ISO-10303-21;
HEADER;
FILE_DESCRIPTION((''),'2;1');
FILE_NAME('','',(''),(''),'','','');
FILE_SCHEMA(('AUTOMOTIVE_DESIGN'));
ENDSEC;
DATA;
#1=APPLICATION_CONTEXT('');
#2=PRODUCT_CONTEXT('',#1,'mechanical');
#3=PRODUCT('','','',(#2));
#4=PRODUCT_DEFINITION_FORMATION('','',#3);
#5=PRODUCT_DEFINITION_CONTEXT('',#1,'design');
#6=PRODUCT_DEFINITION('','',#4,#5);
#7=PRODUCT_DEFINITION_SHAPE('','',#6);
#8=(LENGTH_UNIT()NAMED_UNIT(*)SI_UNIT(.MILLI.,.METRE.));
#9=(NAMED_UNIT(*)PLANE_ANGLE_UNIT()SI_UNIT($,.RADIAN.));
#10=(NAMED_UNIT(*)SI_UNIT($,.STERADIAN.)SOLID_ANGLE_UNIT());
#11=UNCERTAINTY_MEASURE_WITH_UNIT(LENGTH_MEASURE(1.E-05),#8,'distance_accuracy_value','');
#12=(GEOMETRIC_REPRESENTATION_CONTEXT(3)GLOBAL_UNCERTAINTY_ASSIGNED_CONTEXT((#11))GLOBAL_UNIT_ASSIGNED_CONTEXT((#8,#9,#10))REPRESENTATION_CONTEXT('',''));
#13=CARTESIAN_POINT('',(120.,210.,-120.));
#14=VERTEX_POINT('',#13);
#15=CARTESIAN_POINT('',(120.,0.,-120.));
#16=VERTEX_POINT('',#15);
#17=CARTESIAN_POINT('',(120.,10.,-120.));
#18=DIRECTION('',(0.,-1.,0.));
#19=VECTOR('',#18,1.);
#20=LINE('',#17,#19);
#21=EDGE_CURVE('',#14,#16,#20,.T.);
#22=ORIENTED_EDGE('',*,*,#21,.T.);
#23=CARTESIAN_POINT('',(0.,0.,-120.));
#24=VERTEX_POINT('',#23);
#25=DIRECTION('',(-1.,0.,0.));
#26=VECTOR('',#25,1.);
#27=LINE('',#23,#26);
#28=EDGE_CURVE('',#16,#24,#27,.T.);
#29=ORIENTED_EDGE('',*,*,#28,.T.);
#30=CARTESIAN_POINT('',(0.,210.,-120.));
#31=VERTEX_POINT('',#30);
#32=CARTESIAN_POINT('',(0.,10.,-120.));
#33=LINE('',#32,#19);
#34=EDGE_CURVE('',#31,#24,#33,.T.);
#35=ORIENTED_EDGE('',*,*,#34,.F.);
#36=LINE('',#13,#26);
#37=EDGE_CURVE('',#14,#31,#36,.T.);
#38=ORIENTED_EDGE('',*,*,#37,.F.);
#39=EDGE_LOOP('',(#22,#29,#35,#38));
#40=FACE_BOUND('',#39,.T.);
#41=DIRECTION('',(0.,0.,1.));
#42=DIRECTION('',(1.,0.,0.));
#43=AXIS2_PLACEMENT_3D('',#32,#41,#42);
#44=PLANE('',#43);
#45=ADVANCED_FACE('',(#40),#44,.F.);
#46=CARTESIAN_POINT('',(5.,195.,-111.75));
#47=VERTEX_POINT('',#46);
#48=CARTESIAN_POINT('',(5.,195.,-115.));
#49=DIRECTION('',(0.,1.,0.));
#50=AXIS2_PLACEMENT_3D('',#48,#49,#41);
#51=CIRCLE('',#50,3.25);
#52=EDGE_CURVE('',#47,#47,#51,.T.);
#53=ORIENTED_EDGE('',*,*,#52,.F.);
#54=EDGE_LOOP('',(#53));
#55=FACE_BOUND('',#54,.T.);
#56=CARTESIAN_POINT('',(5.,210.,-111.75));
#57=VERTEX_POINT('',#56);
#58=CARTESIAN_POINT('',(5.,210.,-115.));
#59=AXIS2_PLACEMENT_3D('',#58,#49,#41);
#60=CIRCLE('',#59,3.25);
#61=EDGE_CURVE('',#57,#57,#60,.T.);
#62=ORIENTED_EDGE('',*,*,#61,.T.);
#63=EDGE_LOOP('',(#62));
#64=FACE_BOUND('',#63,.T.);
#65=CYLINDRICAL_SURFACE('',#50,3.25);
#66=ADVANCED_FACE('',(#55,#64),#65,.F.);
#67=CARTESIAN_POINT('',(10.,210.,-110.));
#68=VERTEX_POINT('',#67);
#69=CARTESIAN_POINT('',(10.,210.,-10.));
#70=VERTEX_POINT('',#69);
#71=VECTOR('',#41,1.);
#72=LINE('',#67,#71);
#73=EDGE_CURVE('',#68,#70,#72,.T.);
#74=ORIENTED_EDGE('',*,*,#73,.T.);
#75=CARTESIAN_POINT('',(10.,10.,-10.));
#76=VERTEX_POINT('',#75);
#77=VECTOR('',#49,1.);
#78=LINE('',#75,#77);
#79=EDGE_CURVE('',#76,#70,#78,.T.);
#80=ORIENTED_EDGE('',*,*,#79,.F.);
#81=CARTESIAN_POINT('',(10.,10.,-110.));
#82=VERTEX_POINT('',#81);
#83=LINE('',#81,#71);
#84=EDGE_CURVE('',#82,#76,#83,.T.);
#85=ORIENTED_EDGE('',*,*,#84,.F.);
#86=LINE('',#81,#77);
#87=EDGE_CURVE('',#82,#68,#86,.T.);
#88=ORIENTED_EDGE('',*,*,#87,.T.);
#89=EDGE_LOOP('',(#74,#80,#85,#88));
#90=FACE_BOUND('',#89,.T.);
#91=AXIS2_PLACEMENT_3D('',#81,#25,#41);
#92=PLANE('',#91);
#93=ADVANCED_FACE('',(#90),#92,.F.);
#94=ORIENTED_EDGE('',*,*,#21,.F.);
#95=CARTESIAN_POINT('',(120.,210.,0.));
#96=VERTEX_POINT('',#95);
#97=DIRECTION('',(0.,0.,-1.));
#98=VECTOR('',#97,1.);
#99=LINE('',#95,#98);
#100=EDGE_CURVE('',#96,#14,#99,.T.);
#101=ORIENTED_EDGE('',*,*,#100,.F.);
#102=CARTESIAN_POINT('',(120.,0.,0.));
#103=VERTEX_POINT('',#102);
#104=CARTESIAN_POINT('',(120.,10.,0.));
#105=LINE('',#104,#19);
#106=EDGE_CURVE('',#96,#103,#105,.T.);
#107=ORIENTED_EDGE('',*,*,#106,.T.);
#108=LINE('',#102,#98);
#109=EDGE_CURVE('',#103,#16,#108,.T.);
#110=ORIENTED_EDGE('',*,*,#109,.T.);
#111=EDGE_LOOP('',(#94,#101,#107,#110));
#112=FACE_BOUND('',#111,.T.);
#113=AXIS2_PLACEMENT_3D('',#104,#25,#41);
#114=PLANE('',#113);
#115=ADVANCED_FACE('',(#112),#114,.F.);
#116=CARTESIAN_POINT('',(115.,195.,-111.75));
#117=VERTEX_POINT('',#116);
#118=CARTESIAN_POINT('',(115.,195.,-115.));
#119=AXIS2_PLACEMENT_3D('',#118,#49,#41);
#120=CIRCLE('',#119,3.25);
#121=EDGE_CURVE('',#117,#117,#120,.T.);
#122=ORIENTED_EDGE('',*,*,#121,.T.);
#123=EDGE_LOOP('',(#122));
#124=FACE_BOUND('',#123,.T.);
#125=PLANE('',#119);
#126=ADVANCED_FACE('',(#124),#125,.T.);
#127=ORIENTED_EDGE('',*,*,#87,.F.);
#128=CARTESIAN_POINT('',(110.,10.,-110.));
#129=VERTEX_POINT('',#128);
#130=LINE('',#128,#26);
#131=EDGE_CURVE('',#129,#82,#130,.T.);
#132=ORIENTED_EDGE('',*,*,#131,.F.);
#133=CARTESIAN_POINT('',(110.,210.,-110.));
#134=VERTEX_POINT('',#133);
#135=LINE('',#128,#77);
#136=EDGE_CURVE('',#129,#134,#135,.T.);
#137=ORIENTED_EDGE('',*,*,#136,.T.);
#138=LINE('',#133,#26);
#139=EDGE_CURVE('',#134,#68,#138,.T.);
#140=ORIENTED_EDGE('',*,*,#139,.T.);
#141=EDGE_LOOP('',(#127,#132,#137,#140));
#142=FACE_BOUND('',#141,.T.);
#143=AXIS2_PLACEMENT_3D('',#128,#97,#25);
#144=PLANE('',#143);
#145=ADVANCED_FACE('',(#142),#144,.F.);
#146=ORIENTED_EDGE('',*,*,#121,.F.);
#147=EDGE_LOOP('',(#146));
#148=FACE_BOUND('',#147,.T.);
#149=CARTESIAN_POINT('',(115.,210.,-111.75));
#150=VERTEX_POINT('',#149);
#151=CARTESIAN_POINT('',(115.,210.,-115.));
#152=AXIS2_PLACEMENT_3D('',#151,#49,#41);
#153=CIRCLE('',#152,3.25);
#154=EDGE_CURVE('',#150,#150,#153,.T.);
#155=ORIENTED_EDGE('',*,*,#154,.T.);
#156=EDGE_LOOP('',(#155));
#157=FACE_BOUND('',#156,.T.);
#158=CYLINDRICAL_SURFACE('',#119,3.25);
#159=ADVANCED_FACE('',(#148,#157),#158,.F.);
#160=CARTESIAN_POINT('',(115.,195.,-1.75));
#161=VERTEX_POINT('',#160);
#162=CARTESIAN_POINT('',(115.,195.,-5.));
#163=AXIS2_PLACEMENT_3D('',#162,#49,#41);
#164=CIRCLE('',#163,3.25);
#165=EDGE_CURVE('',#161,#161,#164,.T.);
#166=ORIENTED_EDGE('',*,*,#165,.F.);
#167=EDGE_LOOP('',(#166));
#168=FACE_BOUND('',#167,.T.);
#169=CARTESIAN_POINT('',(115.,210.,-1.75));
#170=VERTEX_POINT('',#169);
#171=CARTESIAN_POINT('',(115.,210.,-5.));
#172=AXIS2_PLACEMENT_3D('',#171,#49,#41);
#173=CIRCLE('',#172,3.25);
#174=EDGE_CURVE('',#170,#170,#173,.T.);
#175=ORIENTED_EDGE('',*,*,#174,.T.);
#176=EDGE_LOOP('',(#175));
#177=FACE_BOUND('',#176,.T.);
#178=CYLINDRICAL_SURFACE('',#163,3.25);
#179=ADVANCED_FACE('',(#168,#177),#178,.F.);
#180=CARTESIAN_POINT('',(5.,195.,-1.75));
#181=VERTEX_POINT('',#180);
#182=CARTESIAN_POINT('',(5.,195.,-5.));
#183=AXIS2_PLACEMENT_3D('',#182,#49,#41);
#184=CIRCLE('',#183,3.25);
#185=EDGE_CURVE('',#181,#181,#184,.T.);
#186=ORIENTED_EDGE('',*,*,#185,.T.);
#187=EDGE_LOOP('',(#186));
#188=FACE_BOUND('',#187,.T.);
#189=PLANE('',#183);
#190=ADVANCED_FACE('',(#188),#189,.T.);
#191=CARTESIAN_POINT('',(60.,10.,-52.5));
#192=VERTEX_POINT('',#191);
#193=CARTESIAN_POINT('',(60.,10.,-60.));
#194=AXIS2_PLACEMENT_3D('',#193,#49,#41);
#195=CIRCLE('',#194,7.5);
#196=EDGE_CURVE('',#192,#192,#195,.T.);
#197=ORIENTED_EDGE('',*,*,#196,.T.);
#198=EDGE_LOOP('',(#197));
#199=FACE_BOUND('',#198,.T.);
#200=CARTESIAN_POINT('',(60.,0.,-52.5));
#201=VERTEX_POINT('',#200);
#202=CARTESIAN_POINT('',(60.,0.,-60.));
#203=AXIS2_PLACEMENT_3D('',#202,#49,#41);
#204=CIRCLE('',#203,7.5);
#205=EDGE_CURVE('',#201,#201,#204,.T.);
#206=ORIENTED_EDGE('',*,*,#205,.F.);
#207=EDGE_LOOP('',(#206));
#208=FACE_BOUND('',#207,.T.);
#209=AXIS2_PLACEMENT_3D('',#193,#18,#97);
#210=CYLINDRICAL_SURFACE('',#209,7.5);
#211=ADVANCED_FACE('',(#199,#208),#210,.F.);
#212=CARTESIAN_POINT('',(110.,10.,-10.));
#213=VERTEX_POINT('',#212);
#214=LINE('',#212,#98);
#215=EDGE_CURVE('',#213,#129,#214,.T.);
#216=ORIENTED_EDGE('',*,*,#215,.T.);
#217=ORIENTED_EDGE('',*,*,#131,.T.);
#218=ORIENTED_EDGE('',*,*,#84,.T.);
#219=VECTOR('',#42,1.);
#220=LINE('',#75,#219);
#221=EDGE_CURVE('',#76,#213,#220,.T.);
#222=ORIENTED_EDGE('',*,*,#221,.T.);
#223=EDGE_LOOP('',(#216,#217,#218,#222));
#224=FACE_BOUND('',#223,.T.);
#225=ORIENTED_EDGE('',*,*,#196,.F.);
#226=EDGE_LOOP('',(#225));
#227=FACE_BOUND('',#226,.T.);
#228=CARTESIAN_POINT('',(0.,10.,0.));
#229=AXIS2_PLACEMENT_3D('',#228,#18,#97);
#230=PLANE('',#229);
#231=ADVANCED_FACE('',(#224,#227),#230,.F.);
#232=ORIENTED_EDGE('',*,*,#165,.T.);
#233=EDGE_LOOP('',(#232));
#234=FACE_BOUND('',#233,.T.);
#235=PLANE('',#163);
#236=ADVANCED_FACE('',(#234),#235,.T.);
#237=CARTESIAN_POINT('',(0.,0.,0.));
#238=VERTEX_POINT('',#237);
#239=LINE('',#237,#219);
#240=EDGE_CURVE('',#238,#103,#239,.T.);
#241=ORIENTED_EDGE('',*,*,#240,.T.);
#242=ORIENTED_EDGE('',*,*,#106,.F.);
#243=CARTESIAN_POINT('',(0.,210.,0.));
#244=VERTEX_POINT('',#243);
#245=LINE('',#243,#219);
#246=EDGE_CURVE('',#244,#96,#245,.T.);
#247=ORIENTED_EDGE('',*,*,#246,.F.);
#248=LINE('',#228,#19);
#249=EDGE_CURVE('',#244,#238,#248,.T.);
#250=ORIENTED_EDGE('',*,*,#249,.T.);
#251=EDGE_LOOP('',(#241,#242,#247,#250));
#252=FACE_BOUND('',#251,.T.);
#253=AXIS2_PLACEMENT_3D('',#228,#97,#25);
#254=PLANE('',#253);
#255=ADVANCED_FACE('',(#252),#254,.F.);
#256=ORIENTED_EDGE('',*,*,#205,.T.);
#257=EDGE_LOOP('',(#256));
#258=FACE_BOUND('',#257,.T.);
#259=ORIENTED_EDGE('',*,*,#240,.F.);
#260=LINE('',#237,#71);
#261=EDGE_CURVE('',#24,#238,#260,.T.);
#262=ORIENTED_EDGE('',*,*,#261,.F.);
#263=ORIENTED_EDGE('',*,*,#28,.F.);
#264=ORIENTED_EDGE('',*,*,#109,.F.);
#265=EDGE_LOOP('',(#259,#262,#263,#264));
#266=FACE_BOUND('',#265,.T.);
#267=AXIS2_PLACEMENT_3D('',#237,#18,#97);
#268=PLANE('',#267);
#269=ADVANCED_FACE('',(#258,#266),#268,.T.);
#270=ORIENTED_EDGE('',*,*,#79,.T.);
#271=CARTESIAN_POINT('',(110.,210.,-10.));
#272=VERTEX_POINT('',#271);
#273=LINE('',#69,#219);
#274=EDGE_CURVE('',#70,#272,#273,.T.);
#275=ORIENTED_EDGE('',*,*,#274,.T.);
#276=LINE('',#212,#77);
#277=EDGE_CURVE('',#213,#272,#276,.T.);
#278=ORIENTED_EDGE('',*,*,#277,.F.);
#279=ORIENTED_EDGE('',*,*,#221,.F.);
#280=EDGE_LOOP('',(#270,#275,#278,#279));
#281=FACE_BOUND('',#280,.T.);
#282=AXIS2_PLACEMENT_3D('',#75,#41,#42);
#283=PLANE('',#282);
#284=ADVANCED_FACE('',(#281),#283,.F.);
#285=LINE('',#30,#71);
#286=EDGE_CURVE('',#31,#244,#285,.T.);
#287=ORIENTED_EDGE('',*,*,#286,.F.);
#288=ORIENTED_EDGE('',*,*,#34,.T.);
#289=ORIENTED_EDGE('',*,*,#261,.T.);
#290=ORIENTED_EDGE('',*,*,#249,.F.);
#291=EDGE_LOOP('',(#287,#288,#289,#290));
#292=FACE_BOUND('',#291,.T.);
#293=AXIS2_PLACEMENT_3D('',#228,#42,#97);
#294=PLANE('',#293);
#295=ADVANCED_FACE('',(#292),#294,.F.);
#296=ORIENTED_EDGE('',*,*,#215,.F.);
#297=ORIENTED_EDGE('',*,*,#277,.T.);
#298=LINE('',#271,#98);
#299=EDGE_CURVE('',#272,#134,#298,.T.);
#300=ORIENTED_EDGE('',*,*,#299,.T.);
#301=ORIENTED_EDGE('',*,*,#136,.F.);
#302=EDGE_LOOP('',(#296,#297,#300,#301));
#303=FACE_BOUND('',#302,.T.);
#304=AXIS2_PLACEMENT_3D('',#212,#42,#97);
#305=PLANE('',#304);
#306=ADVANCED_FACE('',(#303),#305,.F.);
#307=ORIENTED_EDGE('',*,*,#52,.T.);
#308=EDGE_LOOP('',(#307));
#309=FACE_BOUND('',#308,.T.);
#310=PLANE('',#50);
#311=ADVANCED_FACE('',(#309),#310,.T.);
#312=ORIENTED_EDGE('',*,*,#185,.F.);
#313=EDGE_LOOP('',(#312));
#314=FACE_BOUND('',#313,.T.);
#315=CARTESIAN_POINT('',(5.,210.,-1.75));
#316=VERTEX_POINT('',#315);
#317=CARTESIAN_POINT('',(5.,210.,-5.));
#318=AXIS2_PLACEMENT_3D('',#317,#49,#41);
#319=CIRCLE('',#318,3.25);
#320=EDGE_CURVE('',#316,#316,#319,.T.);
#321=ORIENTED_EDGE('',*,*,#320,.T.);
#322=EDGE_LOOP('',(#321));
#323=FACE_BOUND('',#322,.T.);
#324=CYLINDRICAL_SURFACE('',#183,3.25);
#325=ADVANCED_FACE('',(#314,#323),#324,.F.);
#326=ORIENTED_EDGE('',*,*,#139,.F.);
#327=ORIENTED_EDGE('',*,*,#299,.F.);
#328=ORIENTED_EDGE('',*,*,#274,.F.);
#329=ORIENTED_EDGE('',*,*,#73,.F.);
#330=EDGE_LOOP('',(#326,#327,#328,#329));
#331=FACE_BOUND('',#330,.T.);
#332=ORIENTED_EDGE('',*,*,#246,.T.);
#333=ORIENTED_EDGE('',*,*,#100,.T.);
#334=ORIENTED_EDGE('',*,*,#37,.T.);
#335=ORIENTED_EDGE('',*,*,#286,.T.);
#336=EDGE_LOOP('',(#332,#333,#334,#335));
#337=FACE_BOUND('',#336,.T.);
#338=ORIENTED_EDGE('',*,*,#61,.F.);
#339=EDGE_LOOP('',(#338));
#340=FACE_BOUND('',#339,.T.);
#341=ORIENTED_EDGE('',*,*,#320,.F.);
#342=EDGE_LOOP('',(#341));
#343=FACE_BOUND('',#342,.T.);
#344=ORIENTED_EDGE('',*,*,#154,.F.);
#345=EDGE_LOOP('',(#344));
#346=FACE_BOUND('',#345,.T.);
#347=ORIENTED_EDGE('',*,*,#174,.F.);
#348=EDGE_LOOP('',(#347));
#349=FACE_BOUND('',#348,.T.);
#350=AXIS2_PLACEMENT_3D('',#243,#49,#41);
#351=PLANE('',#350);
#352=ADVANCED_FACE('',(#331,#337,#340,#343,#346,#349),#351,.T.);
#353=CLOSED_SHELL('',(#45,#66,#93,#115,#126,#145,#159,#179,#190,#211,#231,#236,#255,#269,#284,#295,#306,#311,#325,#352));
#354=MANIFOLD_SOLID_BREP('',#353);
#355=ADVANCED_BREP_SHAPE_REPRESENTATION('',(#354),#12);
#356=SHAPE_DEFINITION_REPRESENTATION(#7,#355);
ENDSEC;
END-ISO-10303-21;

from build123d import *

# Parameters (mm, degrees)
SKETCH1_W           = 120
SKETCH1_H           = 120
SKETCH1_R           = 7.5
BOSS_EXTRUDE1_DEPTH = 10
BOSS_EXTRUDE2_DEPTH = 200
SKETCH2_R           = 3.25
CUT_EXTRUDE1_DEPTH  = 15


with BuildPart() as part:
    # Sketch1 → Boss-Extrude1 (new body)
    with BuildSketch(Plane(origin=(0, 0, 0), x_dir=(1, 0, 0), z_dir=(0, 1, 0))):
        with Locations((60, 60)):
            Rectangle(SKETCH1_W, SKETCH1_H)
        with Locations(Location((60, 60, 0), (0, 0, 270))):
            Circle(SKETCH1_R, mode=Mode.SUBTRACT)
    extrude(amount=BOSS_EXTRUDE1_DEPTH)

    # 3DSketch1 → Boss-Extrude2 (add)
    with BuildSketch(Plane(origin=(110, 10, -10), x_dir=(-0.7071067811865477, 0, -0.7071067811865475), z_dir=(0, 1, 0))):
        Polygon((155.563491861, 0), (70.710678119, 84.852813742), (-14.142135624, 0), (70.710678119, -84.852813742), align=None)
        Polygon((0, 0), (70.710678119, -70.710678119), (141.421356237, 0), (70.710678119, 70.710678119), align=None, mode=Mode.SUBTRACT)
    extrude(amount=BOSS_EXTRUDE2_DEPTH)

    # Sketch2 → Cut-Extrude1 (cut)
    with BuildSketch(Plane(origin=(0, 210, 0), x_dir=(1, 0, 0), z_dir=(0, 1, 0))):
        with Locations(Location((115, 115, 0), (0, 0, 270))):
            Circle(SKETCH2_R)
        with Locations(Location((5, 115, 0), (0, 0, 270))):
            Circle(SKETCH2_R)
        with Locations(Location((115, 5, 0), (0, 0, 270))):
            Circle(SKETCH2_R)
        with Locations(Location((5, 5, 0), (0, 0, 270))):
            Circle(SKETCH2_R)
    extrude(amount=-CUT_EXTRUDE1_DEPTH, mode=Mode.SUBTRACT)


solid = part.part
